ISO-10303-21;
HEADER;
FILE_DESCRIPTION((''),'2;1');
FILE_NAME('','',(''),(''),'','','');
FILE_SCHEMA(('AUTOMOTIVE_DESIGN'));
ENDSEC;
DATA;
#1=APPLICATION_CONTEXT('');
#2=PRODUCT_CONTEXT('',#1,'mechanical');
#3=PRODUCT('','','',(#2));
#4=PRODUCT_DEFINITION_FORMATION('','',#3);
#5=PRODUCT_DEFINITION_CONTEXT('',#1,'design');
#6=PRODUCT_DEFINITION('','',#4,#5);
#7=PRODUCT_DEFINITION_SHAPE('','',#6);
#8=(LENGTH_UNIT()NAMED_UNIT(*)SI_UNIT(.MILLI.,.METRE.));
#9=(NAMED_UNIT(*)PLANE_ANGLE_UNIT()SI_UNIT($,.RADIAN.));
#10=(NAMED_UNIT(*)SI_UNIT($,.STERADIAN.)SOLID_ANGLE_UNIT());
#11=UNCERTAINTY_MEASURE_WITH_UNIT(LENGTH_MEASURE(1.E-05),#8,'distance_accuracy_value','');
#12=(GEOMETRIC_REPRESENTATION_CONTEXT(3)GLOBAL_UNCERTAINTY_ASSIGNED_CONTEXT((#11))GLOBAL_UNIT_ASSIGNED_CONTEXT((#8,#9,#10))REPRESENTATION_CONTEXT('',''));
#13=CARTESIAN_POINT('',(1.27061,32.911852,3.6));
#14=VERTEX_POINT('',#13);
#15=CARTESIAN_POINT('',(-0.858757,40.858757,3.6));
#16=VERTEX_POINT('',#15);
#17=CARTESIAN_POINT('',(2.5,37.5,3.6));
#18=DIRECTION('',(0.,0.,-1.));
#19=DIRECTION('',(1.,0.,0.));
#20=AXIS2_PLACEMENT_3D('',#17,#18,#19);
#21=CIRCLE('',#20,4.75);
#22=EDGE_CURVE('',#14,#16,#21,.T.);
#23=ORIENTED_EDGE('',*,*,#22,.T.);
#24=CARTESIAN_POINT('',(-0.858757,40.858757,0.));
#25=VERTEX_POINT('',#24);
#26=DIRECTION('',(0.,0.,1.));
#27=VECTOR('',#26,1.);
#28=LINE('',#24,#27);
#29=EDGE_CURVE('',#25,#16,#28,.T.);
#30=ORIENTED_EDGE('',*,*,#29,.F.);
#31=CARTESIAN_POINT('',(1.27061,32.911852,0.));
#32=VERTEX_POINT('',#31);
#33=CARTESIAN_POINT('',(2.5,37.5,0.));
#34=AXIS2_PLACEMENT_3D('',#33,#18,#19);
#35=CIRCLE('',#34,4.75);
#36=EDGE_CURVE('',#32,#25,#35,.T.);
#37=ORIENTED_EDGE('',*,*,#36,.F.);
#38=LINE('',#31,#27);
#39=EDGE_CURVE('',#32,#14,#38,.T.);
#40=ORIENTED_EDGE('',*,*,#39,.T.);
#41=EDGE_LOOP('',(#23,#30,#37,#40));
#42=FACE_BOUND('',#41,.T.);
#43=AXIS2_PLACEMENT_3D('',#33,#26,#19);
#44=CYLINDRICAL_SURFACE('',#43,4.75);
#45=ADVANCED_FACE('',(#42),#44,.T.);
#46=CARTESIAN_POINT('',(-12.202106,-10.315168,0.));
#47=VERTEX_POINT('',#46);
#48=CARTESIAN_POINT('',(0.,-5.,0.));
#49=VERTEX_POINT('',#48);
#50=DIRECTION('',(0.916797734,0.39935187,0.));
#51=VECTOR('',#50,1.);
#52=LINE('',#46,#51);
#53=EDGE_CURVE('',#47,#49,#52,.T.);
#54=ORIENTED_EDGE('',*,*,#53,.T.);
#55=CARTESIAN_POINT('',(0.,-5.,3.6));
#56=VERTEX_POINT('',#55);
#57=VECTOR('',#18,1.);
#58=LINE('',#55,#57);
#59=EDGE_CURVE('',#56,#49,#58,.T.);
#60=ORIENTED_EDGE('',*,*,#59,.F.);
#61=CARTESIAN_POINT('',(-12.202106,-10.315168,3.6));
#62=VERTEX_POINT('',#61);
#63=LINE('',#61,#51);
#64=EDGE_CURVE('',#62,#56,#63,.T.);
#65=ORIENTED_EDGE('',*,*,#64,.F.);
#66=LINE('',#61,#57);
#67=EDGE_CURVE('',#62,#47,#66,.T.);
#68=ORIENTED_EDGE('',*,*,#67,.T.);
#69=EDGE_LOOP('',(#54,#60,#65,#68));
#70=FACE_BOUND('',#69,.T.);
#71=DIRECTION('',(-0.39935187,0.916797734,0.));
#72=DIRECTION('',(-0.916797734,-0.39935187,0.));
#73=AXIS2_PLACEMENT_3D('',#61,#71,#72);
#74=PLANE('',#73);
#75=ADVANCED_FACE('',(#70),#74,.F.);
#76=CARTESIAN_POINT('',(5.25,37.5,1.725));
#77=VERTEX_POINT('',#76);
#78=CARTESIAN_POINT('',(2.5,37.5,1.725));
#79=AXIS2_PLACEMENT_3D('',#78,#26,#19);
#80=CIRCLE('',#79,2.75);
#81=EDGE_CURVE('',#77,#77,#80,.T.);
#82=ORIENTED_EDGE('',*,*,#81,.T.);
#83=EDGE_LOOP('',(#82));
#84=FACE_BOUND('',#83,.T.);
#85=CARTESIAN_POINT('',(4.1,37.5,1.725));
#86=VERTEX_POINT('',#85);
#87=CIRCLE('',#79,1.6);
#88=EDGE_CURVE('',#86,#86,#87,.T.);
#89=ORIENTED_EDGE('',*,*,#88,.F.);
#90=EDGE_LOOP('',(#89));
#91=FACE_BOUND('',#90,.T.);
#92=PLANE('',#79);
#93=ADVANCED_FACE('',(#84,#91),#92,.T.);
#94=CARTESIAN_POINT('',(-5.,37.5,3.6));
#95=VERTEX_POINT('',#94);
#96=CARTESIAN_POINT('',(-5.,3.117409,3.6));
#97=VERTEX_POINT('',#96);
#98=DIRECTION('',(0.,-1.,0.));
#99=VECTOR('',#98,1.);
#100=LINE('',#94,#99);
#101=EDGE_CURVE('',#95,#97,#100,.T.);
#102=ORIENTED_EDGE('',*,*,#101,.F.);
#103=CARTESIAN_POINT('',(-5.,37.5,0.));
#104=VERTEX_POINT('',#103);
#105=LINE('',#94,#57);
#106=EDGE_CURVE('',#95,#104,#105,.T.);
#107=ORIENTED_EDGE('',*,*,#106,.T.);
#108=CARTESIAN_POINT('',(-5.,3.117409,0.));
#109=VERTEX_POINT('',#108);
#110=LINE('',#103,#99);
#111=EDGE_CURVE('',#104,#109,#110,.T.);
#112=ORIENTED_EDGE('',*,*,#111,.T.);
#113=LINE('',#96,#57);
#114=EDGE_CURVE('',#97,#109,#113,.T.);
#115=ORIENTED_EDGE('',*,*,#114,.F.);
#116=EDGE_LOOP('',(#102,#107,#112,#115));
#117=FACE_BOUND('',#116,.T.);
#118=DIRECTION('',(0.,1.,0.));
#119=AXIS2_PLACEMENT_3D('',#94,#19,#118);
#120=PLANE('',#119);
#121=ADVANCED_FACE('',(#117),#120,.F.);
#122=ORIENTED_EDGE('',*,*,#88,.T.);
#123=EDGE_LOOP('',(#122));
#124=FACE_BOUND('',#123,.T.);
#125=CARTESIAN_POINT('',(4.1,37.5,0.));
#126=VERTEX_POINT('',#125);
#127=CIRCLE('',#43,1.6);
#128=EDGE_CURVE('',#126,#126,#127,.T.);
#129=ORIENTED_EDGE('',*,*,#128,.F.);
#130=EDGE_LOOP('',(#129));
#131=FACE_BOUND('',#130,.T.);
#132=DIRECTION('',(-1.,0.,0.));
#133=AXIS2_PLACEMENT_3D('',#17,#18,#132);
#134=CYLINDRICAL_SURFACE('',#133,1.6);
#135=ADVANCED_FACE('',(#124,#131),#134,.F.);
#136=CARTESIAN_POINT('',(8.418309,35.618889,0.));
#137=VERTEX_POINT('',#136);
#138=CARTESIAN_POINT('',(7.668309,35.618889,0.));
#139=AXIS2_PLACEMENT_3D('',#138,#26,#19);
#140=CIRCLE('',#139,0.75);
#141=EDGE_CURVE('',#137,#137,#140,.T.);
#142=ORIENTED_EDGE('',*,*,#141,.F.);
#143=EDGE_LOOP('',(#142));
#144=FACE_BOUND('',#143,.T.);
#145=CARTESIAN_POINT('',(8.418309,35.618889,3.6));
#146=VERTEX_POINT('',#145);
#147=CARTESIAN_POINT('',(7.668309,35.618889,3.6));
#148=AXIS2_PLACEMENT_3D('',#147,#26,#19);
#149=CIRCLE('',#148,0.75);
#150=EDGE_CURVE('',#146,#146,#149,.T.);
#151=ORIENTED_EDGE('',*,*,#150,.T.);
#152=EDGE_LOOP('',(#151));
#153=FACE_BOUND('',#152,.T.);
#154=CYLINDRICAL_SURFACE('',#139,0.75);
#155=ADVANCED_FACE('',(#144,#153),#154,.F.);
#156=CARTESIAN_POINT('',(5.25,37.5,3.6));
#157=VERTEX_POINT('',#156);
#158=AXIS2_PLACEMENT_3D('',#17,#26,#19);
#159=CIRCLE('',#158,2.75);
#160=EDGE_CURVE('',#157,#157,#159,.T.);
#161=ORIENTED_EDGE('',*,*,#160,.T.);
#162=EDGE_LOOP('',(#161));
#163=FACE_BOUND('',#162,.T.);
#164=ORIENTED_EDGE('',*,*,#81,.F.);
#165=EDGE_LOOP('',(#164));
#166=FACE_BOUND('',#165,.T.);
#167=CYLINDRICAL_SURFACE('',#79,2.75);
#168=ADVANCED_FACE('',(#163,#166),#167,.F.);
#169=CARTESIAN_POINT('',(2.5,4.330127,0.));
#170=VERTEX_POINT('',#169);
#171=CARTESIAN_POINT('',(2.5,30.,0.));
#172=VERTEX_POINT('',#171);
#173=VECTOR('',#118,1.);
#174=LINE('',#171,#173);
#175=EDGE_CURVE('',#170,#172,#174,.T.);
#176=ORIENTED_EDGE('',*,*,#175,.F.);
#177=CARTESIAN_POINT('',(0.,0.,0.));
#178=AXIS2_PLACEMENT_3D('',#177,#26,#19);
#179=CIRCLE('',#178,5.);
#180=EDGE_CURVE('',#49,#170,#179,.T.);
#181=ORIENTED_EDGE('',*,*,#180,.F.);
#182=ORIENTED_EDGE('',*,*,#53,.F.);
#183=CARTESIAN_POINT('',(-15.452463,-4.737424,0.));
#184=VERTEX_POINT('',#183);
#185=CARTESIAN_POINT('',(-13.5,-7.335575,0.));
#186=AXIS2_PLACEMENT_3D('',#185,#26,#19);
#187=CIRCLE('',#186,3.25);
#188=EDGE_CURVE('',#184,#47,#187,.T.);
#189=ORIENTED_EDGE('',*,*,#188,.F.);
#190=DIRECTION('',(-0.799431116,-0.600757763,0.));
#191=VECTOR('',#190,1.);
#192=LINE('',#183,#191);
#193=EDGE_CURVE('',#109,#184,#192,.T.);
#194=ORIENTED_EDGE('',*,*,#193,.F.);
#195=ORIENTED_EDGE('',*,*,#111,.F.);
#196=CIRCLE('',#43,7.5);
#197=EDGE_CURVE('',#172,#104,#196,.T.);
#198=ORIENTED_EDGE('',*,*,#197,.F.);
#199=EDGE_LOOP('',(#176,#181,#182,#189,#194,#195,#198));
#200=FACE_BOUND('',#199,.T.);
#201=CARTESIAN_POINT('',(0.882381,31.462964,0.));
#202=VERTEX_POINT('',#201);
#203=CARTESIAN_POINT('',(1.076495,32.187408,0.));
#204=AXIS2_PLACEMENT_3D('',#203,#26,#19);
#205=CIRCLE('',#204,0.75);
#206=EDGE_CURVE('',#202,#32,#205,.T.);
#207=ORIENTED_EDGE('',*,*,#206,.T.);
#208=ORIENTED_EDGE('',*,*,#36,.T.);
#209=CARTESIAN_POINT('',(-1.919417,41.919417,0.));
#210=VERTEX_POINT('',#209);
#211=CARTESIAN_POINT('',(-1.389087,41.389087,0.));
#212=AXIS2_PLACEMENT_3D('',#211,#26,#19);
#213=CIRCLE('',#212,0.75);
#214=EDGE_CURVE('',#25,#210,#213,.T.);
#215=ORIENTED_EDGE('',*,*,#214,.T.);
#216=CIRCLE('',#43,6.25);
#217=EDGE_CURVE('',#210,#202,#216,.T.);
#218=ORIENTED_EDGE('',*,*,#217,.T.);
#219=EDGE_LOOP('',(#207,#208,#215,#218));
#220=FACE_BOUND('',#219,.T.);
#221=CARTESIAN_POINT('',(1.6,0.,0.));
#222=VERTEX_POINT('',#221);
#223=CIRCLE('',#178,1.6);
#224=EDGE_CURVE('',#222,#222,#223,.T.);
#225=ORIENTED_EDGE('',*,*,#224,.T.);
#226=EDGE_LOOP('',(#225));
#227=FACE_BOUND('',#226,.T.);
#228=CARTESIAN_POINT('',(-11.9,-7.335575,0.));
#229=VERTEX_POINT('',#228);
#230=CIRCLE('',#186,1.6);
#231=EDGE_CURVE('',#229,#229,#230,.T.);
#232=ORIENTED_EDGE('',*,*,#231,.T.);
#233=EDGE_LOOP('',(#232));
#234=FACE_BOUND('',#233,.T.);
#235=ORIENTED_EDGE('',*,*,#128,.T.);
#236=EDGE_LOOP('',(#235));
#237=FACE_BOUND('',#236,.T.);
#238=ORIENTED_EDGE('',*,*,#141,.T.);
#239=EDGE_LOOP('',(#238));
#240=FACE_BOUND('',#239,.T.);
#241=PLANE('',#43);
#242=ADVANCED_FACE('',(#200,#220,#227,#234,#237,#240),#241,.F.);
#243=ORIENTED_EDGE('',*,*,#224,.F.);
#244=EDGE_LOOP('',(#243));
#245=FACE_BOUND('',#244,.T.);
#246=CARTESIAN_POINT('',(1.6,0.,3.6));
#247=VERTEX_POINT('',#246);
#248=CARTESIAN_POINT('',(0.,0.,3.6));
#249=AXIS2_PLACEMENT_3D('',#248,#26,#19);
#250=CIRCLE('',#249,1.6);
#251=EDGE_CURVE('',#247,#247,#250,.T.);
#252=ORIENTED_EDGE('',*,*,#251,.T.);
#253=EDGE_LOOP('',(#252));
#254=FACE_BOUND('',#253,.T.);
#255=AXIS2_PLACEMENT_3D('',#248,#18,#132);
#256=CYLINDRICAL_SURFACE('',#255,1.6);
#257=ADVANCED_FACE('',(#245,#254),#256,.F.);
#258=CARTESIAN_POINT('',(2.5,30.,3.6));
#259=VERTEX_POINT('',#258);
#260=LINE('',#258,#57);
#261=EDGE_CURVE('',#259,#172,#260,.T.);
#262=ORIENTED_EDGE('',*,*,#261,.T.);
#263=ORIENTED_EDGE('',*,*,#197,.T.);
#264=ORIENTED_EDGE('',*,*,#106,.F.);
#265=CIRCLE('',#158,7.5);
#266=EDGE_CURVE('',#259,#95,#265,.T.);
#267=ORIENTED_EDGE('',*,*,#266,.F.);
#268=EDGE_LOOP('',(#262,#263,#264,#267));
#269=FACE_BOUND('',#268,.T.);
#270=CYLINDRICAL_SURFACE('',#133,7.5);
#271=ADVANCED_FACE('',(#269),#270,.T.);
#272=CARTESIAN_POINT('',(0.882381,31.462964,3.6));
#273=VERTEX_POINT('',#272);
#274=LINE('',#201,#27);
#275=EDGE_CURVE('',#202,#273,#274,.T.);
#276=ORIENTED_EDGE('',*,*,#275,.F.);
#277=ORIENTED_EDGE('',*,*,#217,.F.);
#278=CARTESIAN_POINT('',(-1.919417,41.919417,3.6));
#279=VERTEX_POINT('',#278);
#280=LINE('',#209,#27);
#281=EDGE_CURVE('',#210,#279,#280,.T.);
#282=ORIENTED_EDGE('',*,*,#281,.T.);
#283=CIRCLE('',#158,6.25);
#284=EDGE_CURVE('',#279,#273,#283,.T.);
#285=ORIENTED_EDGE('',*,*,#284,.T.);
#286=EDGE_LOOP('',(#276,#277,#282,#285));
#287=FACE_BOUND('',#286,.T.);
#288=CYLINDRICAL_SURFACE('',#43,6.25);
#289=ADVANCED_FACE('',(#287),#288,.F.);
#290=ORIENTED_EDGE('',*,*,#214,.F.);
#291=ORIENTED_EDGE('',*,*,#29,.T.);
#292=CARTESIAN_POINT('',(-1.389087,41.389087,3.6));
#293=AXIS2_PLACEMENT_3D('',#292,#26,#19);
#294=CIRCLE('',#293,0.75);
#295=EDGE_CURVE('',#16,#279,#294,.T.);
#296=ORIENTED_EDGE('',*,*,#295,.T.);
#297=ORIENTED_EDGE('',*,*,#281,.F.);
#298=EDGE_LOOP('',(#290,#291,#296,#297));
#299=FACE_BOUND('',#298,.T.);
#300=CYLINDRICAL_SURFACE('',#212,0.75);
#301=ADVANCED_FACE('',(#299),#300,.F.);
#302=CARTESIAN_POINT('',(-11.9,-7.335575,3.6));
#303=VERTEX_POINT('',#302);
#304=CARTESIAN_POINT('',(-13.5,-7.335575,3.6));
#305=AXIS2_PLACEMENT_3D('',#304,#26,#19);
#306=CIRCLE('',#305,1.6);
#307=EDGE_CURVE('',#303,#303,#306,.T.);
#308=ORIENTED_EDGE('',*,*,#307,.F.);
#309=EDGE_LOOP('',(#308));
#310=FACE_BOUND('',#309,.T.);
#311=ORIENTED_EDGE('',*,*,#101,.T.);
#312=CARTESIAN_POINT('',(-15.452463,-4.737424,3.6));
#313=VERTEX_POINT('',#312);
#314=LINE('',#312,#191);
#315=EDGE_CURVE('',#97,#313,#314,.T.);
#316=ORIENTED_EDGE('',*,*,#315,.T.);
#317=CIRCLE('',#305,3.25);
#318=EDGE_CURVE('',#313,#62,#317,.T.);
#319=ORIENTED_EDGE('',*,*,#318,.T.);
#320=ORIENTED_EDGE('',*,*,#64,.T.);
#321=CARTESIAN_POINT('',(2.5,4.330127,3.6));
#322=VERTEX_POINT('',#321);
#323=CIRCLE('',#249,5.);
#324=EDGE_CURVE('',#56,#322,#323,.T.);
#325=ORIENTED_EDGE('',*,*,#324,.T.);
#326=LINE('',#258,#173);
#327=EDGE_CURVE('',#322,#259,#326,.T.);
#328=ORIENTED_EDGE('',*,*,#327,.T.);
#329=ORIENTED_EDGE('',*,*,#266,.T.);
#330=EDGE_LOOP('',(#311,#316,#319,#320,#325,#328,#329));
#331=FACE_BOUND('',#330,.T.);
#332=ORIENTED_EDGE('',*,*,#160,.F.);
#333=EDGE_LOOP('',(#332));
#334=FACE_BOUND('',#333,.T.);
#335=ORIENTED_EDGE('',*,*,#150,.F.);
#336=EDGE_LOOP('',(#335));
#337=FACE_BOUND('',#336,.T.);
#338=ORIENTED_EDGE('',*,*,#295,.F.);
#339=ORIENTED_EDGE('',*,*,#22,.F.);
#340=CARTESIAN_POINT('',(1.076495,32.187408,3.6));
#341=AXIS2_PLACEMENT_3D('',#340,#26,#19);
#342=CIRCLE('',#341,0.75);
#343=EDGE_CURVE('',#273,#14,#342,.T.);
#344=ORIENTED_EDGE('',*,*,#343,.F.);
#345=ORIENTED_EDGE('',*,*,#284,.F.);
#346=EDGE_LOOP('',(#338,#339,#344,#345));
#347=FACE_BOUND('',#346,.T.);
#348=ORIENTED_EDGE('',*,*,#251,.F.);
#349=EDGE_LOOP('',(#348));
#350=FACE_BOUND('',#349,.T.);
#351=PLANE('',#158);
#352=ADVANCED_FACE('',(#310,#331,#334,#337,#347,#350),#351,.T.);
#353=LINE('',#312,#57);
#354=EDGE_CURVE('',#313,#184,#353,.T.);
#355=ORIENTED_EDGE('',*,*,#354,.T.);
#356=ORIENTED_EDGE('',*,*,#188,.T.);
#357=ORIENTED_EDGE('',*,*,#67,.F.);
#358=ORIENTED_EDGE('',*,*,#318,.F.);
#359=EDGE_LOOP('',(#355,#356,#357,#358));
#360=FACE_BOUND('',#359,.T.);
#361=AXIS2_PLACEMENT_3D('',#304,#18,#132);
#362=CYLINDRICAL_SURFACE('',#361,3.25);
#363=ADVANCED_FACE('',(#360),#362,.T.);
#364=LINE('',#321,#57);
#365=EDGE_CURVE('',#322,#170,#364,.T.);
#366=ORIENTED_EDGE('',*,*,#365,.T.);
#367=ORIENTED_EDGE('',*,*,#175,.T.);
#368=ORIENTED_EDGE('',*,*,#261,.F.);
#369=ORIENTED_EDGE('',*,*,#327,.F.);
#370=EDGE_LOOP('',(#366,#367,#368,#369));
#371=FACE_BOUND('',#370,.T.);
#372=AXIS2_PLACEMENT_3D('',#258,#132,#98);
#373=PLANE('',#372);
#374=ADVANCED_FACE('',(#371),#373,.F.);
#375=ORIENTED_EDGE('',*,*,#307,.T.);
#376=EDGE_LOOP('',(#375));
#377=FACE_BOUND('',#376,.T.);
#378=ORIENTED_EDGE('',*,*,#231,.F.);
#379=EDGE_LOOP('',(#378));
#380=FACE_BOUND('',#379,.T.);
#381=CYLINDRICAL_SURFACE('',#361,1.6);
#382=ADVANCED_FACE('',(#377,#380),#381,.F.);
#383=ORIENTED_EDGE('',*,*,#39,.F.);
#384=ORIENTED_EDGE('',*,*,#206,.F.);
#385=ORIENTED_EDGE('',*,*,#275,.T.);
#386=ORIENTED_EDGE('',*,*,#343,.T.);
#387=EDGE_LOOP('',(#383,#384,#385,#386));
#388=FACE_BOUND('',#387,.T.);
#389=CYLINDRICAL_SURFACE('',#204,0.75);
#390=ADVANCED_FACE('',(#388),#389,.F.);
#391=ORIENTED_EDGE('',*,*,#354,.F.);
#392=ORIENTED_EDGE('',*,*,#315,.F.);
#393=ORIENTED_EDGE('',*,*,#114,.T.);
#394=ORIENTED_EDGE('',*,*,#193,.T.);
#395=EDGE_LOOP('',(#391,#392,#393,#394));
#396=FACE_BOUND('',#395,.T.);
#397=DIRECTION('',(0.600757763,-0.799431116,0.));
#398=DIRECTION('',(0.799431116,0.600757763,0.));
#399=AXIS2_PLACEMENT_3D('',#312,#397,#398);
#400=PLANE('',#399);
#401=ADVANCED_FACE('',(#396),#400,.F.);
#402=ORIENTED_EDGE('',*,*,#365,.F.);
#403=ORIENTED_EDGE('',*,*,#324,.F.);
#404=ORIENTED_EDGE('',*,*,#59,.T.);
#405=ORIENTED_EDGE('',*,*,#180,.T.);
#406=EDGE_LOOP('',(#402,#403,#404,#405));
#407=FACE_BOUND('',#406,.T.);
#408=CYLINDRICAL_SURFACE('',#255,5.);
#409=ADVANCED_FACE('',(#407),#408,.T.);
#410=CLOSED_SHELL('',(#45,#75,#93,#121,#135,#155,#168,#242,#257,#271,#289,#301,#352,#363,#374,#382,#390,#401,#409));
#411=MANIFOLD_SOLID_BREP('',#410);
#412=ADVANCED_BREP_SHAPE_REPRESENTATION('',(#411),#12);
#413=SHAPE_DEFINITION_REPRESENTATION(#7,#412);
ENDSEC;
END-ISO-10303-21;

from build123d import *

# Parameters (mm, degrees)
SKETCH1_R           = 1.6
BOSS_EXTRUDE1_DEPTH = 3.6
SKETCH2_R           = 0.75
CUT_EXTRUDE1_DEPTH  = 4.6
SKETCH4_R           = 2.75
CUT_EXTRUDE3_DEPTH  = 1.875


with BuildPart() as part:
    # Sketch1 → Boss-Extrude1 (new body)
    with BuildSketch(Plane.XY):
        with BuildLine():
            Line((-5, 37.5), (-5, 3.117408991))
            Line((-5, 3.117408991), (-15.45246273, -4.737424277))
            ThreePointArc((-15.45246273, -4.737424277), (-16.30801025, -8.97190619), (-12.202106424, -10.31516804))
            Line((-12.202106424, -10.31516804), (0, -5))
            ThreePointArc((0, -5), (4.829629131, -1.294095226), (2.5, 4.330127019))
            Line((2.5, 4.330127019), (2.5, 30))
            ThreePointArc((2.5, 30), (7.803300859, 42.803300859), (-5, 37.5))
        make_face()
        Circle(SKETCH1_R, mode=Mode.SUBTRACT)
        with Locations((-13.5, -7.335575406)):
            Circle(SKETCH1_R, mode=Mode.SUBTRACT)
        with Locations((2.5, 37.5)):
            Circle(SKETCH1_R, mode=Mode.SUBTRACT)
    extrude(amount=BOSS_EXTRUDE1_DEPTH)

    # Sketch2 → Cut-Extrude1 (cut, through all)
    with BuildSketch(Plane.XY.offset(3.6)):
        with Locations((7.668309414, 35.618889212)):
            Circle(SKETCH2_R)
        with BuildLine():
            ThreePointArc((-0.858757211, 40.858757211), (-0.858757211, 41.919417382), (-1.919417382, 41.919417382))
            ThreePointArc((-1.919417382, 41.919417382), (-3.537036414, 35.882380968), (0.882380968, 31.462963586))
            ThreePointArc((0.882380968, 31.462963586), (1.800939622, 31.993293672), (1.270609536, 32.911852325))
            ThreePointArc((1.270609536, 32.911852325), (-2.088147675, 36.270609536), (-0.858757211, 40.858757211))
        make_face()
    extrude(amount=-CUT_EXTRUDE1_DEPTH, mode=Mode.SUBTRACT)

    # Sketch4 → Cut-Extrude3 (cut)
    with BuildSketch(Plane.XY.offset(3.6)):
        with Locations((2.5, 37.5)):
            Circle(SKETCH4_R)
    extrude(amount=-CUT_EXTRUDE3_DEPTH, mode=Mode.SUBTRACT)


solid = part.part
